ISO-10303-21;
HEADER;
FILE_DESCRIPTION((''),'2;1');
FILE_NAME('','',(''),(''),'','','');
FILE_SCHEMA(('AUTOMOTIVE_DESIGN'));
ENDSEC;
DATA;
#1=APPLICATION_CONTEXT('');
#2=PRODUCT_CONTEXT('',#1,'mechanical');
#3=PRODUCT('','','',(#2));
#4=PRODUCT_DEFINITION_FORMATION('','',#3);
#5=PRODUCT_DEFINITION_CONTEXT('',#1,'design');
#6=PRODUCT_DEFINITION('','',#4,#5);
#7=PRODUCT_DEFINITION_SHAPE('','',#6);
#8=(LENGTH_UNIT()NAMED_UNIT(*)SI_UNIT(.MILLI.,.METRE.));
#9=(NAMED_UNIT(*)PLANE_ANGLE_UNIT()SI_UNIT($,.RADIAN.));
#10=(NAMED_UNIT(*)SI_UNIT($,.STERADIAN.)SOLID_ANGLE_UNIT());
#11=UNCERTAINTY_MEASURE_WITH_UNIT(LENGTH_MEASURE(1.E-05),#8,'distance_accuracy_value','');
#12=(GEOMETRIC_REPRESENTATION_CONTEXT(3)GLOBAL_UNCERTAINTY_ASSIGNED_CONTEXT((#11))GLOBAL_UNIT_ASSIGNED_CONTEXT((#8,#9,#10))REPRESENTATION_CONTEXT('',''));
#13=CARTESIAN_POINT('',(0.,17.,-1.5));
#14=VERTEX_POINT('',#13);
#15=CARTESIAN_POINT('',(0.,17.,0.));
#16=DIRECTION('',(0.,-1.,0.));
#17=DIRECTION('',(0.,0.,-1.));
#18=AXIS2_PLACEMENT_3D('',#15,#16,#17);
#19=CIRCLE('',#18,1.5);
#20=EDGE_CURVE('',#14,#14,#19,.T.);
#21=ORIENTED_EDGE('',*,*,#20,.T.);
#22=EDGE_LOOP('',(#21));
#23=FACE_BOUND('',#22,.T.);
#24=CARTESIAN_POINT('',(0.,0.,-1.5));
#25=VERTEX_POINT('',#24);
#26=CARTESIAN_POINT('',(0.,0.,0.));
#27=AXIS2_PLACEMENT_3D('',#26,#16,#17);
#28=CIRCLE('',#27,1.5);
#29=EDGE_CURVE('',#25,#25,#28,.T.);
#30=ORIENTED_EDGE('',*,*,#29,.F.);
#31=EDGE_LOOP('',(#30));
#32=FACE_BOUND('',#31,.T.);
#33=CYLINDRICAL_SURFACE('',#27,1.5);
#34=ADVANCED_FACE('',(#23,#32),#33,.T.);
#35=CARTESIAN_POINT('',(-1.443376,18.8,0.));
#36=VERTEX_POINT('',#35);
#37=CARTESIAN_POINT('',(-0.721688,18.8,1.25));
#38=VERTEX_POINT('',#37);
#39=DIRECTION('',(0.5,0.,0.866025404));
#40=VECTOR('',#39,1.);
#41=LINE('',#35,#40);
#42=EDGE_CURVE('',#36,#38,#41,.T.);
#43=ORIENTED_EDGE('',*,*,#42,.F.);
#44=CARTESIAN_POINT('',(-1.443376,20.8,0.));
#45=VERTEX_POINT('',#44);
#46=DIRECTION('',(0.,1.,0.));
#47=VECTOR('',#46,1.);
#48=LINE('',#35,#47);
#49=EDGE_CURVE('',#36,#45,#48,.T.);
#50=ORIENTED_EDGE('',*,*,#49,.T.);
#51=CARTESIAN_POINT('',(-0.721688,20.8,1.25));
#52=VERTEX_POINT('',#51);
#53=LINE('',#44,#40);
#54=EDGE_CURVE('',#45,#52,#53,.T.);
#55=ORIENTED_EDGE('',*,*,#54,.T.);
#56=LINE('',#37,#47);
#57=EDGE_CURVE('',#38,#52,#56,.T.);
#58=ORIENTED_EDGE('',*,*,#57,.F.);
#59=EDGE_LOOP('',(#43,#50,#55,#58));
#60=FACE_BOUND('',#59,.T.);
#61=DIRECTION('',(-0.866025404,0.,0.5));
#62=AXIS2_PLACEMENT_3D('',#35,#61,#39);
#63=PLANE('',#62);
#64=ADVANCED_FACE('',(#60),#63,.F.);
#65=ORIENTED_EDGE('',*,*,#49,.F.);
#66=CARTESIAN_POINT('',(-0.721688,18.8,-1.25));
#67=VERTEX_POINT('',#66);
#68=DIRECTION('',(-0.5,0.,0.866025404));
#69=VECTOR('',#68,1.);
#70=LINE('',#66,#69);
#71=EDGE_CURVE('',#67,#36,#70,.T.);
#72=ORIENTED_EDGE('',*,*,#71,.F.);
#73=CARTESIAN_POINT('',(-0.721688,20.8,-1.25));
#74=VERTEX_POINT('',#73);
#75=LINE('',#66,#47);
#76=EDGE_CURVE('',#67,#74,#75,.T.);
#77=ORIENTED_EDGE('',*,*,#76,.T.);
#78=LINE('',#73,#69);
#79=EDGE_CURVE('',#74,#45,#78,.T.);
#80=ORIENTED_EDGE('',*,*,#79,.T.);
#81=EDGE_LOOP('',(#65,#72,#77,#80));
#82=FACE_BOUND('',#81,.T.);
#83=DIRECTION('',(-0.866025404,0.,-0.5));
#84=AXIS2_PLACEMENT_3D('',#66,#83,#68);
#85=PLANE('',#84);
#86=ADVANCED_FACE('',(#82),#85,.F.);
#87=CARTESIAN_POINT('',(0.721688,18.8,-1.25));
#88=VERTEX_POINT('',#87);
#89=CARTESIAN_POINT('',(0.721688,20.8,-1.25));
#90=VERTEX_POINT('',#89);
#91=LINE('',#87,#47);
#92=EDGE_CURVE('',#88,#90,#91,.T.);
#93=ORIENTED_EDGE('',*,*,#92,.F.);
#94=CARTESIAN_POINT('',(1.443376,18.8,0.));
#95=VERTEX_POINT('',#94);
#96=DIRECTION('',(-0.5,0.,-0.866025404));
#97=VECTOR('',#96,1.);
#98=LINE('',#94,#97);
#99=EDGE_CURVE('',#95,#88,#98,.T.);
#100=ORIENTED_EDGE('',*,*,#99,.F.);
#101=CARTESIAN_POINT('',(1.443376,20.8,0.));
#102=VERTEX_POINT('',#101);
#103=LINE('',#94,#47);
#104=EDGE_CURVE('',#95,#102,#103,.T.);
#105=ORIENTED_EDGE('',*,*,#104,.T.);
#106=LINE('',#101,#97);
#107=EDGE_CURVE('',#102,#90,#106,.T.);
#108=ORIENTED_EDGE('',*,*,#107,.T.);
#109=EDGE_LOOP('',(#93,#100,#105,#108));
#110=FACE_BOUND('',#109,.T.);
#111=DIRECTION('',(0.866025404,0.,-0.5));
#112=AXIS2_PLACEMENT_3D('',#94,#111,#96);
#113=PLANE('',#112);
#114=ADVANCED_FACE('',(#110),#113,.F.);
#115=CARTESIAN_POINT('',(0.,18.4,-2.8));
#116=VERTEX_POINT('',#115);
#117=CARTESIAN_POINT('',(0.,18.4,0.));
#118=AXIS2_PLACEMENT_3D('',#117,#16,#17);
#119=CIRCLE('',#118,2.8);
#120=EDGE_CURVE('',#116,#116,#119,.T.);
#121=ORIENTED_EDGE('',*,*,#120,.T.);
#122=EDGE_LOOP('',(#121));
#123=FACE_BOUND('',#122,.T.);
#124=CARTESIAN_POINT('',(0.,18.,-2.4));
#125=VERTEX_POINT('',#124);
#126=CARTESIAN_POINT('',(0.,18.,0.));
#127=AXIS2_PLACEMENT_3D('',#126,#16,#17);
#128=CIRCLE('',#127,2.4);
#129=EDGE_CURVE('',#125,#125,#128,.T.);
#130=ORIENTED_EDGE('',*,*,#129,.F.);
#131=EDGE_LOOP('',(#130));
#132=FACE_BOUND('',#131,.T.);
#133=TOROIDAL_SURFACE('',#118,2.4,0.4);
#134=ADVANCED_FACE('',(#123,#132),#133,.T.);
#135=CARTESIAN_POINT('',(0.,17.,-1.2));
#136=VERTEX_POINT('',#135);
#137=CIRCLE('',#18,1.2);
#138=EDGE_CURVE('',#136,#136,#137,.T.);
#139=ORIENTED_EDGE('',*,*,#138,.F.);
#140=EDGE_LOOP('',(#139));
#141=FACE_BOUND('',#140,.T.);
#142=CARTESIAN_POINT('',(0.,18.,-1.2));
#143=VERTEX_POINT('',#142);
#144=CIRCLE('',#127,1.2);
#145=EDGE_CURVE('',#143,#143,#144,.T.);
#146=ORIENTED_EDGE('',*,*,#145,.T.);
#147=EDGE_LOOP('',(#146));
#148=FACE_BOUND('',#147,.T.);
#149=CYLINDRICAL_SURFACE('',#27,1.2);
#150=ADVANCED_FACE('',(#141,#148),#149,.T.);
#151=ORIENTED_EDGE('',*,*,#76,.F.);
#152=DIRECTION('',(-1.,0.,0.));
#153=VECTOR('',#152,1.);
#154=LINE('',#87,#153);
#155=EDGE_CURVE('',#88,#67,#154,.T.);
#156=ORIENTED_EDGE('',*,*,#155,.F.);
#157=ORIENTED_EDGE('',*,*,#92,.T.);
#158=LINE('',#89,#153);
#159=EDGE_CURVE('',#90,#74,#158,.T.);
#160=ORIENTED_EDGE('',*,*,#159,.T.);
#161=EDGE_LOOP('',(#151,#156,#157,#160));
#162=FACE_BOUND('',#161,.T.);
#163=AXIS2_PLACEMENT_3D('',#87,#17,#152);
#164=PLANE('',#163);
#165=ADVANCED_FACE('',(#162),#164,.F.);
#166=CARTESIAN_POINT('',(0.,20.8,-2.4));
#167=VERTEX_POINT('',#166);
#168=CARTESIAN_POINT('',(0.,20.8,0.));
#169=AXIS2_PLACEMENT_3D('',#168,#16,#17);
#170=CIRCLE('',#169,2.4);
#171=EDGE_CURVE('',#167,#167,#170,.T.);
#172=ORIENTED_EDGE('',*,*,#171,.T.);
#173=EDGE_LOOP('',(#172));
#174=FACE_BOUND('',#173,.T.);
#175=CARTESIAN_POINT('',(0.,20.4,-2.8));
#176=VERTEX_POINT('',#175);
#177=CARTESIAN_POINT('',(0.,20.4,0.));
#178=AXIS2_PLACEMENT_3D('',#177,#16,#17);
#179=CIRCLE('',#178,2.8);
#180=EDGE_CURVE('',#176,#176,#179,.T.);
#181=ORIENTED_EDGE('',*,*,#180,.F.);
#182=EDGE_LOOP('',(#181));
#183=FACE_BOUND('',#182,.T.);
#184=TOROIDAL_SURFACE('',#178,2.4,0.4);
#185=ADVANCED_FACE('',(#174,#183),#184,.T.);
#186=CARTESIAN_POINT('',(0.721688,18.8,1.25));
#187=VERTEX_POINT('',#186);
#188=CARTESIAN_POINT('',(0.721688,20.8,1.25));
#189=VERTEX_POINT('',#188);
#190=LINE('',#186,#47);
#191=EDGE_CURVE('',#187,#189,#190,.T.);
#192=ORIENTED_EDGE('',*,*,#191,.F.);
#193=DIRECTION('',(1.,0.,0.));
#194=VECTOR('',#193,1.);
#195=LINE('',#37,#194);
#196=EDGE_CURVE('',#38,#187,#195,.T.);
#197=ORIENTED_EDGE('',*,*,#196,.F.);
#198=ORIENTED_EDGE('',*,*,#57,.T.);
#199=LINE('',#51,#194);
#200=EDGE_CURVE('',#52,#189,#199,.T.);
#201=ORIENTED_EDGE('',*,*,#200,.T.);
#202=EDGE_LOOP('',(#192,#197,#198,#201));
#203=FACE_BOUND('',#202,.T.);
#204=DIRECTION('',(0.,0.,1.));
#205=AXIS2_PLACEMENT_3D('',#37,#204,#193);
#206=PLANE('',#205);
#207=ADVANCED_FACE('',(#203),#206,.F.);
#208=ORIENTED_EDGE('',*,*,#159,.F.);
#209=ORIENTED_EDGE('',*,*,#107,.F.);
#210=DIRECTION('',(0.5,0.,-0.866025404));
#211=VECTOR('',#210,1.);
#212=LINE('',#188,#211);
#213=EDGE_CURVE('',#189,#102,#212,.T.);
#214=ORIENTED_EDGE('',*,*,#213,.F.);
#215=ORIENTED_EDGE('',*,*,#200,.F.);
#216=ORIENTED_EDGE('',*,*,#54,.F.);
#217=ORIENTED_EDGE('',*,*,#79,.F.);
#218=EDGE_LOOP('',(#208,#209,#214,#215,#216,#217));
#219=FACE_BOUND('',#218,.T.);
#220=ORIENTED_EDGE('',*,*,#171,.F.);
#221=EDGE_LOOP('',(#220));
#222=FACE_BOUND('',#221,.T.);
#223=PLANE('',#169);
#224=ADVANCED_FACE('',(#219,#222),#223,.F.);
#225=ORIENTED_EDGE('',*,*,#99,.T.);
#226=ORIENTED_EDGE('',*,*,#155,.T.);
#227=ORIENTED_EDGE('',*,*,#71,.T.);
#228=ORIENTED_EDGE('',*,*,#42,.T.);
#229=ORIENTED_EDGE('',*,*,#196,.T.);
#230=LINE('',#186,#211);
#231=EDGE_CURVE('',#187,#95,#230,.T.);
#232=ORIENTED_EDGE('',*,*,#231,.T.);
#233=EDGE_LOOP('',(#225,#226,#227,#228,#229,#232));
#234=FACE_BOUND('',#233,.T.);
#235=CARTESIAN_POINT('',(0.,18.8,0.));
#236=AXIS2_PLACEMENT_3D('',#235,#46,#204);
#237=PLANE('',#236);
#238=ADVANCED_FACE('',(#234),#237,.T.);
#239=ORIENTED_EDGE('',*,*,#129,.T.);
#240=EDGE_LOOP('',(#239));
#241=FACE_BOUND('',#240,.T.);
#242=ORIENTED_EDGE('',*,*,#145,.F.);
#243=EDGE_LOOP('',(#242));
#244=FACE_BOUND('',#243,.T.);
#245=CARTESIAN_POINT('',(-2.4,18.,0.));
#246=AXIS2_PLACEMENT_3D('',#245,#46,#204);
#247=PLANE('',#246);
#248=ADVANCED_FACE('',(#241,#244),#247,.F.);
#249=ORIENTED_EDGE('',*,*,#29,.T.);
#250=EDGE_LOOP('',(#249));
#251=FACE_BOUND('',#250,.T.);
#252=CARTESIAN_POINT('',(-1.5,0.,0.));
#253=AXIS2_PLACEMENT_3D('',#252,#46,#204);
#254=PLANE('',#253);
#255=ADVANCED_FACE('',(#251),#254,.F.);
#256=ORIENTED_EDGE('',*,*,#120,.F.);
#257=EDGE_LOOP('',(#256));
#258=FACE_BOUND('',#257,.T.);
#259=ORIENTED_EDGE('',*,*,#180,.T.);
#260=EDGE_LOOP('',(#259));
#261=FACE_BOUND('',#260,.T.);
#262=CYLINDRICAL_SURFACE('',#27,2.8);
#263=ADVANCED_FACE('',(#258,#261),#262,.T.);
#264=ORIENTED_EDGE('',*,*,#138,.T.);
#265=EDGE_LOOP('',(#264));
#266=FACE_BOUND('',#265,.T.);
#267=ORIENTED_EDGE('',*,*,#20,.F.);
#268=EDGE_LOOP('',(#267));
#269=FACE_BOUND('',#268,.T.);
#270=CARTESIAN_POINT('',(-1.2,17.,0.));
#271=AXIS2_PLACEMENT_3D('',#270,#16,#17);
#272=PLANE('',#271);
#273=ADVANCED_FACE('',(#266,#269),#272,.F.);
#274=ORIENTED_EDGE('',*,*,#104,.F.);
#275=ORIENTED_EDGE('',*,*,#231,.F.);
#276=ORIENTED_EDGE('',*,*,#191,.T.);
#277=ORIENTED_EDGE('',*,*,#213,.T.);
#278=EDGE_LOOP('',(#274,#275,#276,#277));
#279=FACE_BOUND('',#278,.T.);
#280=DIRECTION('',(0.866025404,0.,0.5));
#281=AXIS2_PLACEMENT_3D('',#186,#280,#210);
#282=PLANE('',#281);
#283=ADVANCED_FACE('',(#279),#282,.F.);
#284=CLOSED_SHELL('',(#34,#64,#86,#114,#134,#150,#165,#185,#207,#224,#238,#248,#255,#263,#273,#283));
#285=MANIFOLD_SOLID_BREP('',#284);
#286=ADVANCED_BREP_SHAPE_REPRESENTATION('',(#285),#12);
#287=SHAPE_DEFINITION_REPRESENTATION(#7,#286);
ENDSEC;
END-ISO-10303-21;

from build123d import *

# Parameters (mm, degrees)
CUT_EXTRUDE_1_DEPTH = 2


with BuildPart() as part:
    # 草图1 → 旋转1 (revolve)
    with BuildSketch(Plane.XY, mode=Mode.PRIVATE) as revolve_1_sk:
        with BuildLine():
            Line((0, 20.8), (-2.4, 20.8))
            ThreePointArc((-2.4, 20.8), (-2.682842712, 20.682842712), (-2.8, 20.4))
            Line((-2.8, 20.4), (-2.8, 18.4))
            ThreePointArc((-2.8, 18.4), (-2.682842712, 18.117157288), (-2.4, 18))
            Line((-2.4, 18), (-1.2, 18))
            Line((-1.2, 18), (-1.2, 17))
            Line((-1.2, 17), (-1.5, 17))
            Line((-1.5, 17), (-1.5, 0))
            Line((-1.5, 0), (0, 0))
            Line((0, 0), (0, 20.8))
        make_face()
    revolve(revolve_1_sk.sketch.rotate(Axis((0, 0, 0), (0, 1, 0)), 270), axis=Axis((0, 0, 0), (0, 1, 0)))

    # 草图2 → 切除-拉伸1 (cut)
    with BuildSketch(Plane(origin=(0, 20.8, 0), x_dir=(1, 0, 0), z_dir=(0, 1, 0))):
        Polygon((-0.721687836, 1.25), (-1.443375673, 0), (-0.721687836, -1.25), (0.721687836, -1.25), (1.443375673, 0), (0.721687836, 1.25), align=None)
    extrude(amount=-CUT_EXTRUDE_1_DEPTH, mode=Mode.SUBTRACT)


solid = part.part
